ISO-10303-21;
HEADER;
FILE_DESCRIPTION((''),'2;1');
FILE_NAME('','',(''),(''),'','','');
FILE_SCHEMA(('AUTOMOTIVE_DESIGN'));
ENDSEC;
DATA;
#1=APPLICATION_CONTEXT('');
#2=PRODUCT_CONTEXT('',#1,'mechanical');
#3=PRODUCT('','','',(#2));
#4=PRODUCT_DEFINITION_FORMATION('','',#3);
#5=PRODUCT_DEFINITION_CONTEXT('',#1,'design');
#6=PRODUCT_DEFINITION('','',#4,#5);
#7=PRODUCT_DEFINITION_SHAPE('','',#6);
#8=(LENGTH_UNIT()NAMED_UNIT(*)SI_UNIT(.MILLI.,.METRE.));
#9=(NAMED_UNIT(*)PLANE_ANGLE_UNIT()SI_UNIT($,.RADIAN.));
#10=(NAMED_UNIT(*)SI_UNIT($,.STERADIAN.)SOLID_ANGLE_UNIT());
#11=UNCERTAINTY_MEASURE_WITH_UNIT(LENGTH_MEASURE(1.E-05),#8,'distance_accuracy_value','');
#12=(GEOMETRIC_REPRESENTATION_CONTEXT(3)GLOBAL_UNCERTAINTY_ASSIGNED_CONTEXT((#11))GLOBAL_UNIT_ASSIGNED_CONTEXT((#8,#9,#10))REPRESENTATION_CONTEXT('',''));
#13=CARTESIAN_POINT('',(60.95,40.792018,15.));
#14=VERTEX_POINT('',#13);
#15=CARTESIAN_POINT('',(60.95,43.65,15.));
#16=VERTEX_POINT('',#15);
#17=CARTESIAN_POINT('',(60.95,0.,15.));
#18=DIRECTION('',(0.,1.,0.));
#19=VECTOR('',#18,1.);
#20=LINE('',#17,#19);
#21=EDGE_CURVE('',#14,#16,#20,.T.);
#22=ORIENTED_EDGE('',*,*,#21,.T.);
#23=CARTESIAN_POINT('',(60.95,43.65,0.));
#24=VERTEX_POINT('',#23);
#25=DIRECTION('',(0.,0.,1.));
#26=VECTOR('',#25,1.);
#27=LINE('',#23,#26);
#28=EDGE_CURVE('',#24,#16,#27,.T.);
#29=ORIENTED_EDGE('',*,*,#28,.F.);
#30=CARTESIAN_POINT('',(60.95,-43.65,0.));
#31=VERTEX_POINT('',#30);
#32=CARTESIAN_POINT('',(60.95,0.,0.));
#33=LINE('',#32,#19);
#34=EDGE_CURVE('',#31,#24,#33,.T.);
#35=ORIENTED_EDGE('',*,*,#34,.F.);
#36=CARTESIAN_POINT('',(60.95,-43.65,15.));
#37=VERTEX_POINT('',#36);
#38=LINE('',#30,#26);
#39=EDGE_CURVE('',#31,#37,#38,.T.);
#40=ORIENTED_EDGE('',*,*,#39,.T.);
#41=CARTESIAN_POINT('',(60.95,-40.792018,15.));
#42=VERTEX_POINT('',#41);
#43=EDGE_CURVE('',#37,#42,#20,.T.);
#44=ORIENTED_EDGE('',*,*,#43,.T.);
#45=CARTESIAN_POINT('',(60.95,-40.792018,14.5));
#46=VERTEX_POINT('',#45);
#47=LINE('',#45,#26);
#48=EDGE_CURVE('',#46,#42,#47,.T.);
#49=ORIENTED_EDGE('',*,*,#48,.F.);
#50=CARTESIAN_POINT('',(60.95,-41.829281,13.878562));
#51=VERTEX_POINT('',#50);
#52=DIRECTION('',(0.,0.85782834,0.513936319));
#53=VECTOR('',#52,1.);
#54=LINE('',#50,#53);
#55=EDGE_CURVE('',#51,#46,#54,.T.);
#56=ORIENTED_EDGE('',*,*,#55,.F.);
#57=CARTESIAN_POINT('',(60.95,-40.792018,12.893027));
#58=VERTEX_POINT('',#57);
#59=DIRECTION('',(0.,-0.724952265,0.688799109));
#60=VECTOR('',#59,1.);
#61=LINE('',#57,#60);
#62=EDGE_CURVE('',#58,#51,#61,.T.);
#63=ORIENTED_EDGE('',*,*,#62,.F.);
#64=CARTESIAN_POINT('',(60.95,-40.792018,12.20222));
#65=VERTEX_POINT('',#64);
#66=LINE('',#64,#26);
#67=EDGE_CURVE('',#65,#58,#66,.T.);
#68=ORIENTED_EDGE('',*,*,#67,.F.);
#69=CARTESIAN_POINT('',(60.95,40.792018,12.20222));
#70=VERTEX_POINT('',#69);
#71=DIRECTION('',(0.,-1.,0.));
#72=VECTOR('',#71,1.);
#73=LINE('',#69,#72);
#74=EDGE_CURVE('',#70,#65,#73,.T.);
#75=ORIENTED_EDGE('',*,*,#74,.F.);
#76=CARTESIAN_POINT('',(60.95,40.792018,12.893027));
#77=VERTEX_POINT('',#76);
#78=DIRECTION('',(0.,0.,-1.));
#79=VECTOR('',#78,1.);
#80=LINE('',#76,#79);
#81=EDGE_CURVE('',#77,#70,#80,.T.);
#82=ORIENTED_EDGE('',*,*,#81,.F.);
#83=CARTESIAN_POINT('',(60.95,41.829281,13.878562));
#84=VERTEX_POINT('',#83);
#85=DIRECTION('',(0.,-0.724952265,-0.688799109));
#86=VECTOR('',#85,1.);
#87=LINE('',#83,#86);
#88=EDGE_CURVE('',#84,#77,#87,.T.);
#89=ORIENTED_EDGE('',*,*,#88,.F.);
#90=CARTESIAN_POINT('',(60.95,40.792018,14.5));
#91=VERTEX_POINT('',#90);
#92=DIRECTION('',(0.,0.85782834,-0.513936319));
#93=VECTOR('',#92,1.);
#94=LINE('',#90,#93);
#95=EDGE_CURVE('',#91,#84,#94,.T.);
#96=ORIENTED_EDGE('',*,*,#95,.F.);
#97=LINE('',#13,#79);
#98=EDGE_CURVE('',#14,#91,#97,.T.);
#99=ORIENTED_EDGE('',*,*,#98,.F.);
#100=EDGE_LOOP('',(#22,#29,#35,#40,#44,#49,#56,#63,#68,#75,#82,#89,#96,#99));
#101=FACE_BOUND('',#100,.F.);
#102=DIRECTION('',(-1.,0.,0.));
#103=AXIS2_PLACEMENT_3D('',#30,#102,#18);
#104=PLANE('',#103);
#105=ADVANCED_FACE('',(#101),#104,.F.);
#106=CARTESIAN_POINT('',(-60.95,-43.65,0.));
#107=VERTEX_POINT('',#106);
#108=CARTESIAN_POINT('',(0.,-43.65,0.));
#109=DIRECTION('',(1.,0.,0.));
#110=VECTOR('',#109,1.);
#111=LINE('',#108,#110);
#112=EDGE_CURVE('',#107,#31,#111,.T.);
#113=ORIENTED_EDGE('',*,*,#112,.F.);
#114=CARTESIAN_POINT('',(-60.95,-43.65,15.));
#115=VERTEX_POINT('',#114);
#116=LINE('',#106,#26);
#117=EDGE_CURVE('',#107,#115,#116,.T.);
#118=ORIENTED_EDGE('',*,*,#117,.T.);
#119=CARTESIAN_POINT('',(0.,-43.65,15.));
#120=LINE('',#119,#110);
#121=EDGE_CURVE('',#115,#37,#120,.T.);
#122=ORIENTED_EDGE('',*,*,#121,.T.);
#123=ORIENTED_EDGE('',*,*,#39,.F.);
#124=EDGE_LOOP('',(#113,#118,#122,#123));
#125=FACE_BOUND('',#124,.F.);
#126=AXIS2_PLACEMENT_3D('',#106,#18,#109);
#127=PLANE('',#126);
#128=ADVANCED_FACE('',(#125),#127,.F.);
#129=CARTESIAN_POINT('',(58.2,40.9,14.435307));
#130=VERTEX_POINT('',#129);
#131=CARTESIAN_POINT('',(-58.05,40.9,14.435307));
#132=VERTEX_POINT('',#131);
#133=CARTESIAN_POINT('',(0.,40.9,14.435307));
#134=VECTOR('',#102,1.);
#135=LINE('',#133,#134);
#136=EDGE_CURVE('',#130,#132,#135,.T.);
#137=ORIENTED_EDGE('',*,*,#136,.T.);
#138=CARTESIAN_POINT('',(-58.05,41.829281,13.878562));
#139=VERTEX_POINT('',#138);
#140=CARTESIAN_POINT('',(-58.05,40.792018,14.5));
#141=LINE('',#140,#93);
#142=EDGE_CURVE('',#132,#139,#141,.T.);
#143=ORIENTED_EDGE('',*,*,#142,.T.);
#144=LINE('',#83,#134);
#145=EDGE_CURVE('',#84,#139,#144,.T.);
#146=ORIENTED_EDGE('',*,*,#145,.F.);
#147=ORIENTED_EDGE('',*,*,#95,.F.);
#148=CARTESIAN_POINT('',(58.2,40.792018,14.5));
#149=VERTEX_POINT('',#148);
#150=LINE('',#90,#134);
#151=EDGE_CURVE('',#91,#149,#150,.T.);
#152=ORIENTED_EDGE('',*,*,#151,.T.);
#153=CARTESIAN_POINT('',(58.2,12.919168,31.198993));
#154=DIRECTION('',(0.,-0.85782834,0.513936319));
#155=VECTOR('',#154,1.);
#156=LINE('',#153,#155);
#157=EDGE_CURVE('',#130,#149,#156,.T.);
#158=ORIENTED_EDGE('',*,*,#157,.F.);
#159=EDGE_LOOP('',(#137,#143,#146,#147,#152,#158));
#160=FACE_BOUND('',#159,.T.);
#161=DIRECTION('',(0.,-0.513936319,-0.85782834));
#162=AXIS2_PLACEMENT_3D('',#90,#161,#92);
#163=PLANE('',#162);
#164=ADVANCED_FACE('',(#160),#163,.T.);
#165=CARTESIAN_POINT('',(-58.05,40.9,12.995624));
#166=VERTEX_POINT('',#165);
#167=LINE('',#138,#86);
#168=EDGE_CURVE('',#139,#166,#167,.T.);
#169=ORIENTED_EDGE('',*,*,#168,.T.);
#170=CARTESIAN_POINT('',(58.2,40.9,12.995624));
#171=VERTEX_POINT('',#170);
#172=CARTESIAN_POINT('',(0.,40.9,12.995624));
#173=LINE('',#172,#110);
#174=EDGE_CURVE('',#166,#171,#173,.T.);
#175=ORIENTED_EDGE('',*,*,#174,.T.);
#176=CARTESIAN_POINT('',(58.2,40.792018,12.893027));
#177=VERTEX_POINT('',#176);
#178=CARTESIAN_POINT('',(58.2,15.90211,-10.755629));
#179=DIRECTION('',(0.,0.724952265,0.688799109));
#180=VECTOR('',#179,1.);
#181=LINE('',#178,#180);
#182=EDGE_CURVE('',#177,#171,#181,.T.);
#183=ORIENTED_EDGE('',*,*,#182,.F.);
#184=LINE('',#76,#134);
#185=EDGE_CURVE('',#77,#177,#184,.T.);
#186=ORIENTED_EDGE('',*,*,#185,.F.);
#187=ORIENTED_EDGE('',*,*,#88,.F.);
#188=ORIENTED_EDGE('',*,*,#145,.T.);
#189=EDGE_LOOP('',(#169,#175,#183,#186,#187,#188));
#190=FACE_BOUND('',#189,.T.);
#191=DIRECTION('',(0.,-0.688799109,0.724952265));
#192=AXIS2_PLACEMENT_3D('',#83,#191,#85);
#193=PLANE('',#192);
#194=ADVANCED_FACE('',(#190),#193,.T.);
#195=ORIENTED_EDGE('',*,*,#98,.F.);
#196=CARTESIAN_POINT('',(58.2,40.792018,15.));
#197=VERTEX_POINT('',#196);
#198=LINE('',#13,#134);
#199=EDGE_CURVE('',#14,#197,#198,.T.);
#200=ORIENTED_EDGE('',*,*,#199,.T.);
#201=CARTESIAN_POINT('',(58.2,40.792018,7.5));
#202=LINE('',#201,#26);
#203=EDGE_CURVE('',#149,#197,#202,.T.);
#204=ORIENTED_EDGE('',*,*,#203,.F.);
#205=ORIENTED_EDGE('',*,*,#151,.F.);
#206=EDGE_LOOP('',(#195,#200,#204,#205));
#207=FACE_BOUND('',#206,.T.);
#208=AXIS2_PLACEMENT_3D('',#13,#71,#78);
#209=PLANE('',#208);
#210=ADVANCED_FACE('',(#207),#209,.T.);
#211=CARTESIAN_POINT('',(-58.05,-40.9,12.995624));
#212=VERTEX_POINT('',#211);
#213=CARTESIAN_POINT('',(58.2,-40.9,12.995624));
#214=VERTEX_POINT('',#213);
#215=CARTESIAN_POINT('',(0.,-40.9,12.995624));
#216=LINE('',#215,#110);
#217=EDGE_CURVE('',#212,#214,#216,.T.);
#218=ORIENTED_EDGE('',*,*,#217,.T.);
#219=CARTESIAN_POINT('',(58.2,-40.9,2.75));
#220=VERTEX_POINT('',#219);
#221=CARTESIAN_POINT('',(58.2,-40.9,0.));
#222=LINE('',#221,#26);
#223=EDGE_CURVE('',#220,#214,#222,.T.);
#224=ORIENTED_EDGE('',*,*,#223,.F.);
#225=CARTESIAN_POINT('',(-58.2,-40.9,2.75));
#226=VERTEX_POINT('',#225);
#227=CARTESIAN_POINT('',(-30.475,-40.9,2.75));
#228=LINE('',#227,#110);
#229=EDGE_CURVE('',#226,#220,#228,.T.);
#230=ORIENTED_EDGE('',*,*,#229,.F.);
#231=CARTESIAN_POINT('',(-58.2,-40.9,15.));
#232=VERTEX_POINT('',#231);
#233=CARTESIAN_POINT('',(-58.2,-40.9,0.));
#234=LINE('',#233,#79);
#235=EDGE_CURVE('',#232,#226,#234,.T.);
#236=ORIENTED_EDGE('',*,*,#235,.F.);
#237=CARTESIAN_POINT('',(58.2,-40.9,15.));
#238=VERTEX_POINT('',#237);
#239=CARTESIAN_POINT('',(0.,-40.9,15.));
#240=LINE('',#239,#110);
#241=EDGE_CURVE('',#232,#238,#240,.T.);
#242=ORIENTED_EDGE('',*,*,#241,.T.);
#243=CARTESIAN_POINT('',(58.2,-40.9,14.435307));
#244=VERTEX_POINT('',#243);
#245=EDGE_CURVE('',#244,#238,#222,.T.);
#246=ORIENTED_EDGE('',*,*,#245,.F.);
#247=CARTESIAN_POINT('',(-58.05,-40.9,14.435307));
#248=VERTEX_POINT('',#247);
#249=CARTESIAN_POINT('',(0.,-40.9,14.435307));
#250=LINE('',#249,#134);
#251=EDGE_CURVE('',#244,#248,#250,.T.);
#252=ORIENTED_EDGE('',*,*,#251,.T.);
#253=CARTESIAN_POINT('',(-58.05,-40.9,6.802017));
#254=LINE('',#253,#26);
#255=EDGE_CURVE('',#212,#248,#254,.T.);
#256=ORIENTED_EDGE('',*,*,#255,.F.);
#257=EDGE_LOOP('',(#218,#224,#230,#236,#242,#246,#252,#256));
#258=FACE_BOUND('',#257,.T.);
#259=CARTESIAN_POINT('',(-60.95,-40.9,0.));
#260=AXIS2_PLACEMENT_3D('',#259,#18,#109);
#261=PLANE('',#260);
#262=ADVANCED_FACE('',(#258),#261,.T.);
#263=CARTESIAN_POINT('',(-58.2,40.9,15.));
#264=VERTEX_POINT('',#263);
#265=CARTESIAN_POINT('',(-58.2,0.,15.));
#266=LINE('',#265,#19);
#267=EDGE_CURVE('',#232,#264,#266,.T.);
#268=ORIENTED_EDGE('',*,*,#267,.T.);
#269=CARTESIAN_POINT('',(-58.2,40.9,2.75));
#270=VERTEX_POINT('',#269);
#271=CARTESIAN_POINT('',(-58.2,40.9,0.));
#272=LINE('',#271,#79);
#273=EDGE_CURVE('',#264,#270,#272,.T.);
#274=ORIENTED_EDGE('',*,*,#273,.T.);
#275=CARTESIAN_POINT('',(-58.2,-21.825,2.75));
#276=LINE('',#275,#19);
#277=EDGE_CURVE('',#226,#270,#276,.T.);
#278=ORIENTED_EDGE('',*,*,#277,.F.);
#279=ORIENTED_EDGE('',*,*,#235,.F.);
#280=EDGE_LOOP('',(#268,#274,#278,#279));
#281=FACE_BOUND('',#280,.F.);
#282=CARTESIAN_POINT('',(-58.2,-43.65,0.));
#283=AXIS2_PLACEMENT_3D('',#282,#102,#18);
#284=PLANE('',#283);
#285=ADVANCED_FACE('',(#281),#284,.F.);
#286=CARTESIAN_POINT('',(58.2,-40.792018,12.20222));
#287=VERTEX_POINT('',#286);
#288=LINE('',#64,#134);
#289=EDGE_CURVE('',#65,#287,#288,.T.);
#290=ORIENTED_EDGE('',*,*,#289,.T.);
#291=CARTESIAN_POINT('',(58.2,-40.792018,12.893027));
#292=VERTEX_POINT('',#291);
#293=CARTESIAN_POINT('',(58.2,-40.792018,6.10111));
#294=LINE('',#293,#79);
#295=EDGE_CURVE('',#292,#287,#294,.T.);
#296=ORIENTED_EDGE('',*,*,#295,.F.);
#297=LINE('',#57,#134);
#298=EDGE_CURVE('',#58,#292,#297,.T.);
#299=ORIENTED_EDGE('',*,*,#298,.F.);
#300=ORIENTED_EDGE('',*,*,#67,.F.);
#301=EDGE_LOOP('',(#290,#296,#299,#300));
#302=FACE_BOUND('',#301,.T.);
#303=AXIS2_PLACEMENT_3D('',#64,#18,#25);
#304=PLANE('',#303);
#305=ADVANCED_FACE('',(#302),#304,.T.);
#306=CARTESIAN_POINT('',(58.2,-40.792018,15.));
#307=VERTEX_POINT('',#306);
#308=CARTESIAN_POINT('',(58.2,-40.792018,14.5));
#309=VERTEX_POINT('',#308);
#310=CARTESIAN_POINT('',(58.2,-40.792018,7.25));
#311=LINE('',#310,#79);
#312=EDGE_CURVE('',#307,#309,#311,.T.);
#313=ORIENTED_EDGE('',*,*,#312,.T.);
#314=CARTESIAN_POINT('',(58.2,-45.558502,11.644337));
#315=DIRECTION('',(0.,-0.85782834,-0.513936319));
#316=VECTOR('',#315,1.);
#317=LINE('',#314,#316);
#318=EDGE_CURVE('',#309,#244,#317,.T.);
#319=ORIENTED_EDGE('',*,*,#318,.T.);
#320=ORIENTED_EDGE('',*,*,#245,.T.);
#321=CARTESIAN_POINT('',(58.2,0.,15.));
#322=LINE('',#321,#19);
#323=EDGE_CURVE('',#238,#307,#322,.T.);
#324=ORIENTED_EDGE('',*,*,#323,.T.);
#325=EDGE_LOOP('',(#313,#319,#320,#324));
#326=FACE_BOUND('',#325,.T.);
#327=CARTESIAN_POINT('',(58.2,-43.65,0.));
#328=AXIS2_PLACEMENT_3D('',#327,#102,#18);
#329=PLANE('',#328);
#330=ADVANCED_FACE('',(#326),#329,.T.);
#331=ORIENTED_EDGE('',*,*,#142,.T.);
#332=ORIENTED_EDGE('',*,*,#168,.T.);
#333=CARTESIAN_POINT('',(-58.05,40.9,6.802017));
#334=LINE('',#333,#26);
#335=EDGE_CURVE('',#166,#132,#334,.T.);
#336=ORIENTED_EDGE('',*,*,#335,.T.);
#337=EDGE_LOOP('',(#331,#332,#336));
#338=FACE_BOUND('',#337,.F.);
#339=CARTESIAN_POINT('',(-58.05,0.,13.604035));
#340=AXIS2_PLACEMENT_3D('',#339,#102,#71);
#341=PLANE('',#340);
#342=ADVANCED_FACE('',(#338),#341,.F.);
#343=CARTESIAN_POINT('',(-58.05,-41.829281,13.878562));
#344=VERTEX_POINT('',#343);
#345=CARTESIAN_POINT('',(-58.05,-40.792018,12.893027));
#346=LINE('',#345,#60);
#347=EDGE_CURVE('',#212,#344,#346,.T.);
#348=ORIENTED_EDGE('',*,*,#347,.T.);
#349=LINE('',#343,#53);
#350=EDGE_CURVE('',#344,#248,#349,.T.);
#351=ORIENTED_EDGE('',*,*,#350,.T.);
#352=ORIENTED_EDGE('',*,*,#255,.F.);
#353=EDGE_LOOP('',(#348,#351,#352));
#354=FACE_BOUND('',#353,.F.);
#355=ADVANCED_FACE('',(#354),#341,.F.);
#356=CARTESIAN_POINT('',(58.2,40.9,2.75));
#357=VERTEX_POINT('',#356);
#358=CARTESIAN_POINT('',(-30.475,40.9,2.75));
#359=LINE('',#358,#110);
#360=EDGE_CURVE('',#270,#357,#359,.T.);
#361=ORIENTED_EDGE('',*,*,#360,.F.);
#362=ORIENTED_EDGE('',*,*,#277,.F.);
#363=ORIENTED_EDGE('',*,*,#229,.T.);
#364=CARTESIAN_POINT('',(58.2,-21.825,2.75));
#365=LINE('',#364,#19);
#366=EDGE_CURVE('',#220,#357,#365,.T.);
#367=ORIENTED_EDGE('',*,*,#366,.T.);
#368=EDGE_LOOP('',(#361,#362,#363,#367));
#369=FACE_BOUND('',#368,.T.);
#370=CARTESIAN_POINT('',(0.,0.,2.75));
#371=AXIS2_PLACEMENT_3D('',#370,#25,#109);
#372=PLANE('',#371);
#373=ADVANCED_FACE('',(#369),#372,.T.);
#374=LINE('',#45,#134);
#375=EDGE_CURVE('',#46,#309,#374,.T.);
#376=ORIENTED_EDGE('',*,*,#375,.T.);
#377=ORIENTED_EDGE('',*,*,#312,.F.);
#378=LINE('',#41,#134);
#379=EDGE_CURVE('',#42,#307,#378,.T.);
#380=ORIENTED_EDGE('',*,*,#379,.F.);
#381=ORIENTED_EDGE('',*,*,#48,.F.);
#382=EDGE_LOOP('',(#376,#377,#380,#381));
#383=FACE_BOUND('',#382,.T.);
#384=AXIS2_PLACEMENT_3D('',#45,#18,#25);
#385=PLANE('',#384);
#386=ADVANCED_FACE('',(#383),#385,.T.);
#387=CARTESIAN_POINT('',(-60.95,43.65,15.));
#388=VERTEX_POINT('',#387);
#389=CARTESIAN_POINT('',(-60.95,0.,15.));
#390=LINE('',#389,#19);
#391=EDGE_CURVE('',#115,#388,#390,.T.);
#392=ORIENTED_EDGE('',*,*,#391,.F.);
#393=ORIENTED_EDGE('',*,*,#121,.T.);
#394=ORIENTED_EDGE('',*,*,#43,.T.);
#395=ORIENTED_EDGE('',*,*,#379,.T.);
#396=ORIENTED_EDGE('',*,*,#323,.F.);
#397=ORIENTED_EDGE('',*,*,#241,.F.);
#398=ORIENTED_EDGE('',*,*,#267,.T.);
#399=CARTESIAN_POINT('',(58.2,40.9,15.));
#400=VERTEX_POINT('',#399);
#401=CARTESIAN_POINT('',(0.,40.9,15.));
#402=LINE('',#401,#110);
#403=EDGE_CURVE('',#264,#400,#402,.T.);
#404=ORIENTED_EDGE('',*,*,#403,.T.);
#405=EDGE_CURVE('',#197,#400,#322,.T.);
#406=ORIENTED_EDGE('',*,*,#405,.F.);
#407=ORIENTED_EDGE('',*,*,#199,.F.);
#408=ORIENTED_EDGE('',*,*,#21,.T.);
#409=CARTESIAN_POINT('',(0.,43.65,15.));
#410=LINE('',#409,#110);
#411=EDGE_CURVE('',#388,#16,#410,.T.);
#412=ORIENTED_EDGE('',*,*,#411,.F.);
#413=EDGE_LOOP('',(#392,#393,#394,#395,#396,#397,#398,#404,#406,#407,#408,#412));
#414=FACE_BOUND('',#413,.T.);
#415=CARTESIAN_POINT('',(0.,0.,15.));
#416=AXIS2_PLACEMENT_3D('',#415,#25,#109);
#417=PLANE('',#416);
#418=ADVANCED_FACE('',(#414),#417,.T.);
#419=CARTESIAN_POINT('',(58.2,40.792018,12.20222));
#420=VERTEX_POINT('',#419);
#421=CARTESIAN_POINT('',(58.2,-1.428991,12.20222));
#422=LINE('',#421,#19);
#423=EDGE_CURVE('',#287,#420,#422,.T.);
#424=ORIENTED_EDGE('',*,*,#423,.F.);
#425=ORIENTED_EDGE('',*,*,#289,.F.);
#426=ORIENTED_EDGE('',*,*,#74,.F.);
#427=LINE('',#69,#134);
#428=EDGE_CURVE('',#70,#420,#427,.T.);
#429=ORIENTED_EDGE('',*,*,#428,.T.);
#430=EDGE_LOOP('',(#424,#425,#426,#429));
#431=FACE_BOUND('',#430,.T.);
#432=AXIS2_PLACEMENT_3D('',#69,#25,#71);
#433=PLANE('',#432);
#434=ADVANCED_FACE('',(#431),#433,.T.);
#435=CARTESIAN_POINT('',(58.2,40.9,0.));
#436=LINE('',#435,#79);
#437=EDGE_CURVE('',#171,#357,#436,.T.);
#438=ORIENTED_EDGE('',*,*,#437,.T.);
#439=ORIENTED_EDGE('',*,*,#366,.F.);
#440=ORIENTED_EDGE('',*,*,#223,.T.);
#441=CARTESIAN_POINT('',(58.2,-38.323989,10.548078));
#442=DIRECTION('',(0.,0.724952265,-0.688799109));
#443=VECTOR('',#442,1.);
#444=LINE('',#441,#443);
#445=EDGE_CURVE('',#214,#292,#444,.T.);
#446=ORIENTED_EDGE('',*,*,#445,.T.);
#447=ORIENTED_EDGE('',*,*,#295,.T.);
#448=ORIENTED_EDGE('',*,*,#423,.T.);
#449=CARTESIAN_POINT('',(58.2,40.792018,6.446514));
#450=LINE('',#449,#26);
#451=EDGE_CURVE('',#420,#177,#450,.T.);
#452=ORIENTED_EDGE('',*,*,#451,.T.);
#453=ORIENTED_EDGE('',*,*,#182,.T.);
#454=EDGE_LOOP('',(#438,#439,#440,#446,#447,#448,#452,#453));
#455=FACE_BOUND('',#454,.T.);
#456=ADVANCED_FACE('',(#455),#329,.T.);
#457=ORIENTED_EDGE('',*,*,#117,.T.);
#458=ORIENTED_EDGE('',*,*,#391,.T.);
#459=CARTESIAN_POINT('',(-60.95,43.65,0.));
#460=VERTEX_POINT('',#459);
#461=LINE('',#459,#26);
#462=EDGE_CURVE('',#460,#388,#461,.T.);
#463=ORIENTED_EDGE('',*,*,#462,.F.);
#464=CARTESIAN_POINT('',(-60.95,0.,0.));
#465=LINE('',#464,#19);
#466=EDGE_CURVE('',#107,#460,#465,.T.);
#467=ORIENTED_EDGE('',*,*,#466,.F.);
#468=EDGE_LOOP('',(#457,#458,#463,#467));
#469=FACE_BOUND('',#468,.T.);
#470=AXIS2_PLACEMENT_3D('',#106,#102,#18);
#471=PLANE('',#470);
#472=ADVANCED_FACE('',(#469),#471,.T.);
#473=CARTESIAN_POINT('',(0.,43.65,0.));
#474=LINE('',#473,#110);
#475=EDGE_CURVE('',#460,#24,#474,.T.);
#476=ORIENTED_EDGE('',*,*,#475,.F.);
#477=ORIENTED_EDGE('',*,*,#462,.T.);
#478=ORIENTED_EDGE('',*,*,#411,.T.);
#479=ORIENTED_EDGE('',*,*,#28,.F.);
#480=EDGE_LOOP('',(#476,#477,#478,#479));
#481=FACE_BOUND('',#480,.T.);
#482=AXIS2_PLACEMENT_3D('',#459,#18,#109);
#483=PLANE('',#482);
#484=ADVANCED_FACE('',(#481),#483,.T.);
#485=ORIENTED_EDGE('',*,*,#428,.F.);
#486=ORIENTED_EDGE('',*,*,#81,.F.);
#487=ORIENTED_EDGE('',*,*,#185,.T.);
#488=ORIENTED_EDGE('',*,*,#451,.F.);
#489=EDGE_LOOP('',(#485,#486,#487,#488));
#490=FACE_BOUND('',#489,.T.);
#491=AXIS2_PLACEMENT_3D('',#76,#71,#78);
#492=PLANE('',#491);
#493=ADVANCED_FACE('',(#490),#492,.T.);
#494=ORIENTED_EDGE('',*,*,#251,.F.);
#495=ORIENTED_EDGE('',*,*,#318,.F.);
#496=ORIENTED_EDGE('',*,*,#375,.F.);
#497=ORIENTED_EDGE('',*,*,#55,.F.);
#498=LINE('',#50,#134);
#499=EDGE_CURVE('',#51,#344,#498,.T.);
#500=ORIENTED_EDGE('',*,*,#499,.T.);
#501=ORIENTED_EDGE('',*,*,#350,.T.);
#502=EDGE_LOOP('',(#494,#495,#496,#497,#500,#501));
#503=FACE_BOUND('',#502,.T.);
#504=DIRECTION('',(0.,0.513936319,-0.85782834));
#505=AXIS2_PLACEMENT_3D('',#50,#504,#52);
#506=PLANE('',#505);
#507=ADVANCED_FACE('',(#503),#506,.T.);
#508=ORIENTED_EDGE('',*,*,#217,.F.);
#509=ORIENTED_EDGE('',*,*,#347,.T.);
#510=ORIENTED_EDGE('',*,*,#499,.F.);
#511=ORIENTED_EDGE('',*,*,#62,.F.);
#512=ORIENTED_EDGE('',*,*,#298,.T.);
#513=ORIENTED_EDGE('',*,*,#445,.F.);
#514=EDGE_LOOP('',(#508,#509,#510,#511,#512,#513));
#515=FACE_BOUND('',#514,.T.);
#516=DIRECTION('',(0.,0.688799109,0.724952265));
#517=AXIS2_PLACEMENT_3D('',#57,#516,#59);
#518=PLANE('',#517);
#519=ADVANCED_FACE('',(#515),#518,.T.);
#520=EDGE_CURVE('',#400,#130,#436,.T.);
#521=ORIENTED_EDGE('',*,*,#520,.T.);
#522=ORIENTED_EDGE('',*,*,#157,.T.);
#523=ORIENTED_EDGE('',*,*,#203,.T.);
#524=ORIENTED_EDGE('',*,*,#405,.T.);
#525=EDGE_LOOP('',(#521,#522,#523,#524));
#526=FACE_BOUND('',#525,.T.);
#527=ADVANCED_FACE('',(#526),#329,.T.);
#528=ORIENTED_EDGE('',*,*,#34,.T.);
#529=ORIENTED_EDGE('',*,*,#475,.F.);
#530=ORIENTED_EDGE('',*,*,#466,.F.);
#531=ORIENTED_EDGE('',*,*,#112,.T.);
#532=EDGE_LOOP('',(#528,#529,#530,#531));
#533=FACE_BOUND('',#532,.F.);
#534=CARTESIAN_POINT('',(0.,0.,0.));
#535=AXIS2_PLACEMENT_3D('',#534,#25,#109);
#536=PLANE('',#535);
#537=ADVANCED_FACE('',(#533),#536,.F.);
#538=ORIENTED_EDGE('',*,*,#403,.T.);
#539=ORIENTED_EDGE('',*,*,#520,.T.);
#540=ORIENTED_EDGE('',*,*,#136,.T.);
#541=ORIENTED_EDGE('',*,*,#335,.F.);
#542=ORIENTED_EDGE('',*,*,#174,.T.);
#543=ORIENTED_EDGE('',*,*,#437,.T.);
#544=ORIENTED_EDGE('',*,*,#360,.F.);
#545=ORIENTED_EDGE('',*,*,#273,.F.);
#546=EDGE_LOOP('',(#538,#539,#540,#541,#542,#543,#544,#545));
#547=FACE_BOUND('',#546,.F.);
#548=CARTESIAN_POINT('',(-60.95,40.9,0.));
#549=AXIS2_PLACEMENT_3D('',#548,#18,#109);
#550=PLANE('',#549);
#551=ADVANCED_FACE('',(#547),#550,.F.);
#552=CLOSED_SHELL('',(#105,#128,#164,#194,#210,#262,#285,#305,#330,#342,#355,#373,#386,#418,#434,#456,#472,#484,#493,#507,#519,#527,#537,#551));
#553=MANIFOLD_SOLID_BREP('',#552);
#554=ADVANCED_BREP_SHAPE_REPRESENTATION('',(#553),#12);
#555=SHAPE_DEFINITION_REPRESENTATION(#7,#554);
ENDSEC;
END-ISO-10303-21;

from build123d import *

# Parameters (mm, degrees)
F0_W     = 108.9
F0_H     = 76.3
F1_DEPTH = 15
F2_W     = 121.9
F2_H     = 87.3
F3_DEPTH = 15
F4_T     = -2.75
F7_DEPTH = 119


with BuildPart() as f1:
    # F0 (on Top) → F1 (new body)
    with BuildSketch(Plane.XY):
        Rectangle(F0_W, F0_H)
    extrude(amount=F1_DEPTH)

    # F2 (on Top) → F3 (join)
    with BuildSketch(Plane.XY):
        Rectangle(F2_W, F2_H)
    extrude(amount=F3_DEPTH)

    # F4
    f4_openings = [f1.faces().sort_by_distance(p)[0] for p in [
        (0, 0, 15),
    ]]
    offset(amount=F4_T, openings=f4_openings)

    # F6 (on face) → F7 (cut)
    with BuildSketch(Plane(origin=(60.95, 0, 0), x_dir=(0, -1, 0), z_dir=(-1, 0, 0))):
        Polygon((40.792018, 14.5), (40.792018, 15), (-40.792018, 15), (-40.792018, 14.5), (-41.829281, 13.878562), (-40.792018, 12.893027), (-40.792018, 12.20222), (40.792018, 12.20222), (40.792018, 12.893027), (41.829281, 13.878562), align=None)
    extrude(amount=F7_DEPTH, mode=Mode.SUBTRACT)


solid = f1.part
